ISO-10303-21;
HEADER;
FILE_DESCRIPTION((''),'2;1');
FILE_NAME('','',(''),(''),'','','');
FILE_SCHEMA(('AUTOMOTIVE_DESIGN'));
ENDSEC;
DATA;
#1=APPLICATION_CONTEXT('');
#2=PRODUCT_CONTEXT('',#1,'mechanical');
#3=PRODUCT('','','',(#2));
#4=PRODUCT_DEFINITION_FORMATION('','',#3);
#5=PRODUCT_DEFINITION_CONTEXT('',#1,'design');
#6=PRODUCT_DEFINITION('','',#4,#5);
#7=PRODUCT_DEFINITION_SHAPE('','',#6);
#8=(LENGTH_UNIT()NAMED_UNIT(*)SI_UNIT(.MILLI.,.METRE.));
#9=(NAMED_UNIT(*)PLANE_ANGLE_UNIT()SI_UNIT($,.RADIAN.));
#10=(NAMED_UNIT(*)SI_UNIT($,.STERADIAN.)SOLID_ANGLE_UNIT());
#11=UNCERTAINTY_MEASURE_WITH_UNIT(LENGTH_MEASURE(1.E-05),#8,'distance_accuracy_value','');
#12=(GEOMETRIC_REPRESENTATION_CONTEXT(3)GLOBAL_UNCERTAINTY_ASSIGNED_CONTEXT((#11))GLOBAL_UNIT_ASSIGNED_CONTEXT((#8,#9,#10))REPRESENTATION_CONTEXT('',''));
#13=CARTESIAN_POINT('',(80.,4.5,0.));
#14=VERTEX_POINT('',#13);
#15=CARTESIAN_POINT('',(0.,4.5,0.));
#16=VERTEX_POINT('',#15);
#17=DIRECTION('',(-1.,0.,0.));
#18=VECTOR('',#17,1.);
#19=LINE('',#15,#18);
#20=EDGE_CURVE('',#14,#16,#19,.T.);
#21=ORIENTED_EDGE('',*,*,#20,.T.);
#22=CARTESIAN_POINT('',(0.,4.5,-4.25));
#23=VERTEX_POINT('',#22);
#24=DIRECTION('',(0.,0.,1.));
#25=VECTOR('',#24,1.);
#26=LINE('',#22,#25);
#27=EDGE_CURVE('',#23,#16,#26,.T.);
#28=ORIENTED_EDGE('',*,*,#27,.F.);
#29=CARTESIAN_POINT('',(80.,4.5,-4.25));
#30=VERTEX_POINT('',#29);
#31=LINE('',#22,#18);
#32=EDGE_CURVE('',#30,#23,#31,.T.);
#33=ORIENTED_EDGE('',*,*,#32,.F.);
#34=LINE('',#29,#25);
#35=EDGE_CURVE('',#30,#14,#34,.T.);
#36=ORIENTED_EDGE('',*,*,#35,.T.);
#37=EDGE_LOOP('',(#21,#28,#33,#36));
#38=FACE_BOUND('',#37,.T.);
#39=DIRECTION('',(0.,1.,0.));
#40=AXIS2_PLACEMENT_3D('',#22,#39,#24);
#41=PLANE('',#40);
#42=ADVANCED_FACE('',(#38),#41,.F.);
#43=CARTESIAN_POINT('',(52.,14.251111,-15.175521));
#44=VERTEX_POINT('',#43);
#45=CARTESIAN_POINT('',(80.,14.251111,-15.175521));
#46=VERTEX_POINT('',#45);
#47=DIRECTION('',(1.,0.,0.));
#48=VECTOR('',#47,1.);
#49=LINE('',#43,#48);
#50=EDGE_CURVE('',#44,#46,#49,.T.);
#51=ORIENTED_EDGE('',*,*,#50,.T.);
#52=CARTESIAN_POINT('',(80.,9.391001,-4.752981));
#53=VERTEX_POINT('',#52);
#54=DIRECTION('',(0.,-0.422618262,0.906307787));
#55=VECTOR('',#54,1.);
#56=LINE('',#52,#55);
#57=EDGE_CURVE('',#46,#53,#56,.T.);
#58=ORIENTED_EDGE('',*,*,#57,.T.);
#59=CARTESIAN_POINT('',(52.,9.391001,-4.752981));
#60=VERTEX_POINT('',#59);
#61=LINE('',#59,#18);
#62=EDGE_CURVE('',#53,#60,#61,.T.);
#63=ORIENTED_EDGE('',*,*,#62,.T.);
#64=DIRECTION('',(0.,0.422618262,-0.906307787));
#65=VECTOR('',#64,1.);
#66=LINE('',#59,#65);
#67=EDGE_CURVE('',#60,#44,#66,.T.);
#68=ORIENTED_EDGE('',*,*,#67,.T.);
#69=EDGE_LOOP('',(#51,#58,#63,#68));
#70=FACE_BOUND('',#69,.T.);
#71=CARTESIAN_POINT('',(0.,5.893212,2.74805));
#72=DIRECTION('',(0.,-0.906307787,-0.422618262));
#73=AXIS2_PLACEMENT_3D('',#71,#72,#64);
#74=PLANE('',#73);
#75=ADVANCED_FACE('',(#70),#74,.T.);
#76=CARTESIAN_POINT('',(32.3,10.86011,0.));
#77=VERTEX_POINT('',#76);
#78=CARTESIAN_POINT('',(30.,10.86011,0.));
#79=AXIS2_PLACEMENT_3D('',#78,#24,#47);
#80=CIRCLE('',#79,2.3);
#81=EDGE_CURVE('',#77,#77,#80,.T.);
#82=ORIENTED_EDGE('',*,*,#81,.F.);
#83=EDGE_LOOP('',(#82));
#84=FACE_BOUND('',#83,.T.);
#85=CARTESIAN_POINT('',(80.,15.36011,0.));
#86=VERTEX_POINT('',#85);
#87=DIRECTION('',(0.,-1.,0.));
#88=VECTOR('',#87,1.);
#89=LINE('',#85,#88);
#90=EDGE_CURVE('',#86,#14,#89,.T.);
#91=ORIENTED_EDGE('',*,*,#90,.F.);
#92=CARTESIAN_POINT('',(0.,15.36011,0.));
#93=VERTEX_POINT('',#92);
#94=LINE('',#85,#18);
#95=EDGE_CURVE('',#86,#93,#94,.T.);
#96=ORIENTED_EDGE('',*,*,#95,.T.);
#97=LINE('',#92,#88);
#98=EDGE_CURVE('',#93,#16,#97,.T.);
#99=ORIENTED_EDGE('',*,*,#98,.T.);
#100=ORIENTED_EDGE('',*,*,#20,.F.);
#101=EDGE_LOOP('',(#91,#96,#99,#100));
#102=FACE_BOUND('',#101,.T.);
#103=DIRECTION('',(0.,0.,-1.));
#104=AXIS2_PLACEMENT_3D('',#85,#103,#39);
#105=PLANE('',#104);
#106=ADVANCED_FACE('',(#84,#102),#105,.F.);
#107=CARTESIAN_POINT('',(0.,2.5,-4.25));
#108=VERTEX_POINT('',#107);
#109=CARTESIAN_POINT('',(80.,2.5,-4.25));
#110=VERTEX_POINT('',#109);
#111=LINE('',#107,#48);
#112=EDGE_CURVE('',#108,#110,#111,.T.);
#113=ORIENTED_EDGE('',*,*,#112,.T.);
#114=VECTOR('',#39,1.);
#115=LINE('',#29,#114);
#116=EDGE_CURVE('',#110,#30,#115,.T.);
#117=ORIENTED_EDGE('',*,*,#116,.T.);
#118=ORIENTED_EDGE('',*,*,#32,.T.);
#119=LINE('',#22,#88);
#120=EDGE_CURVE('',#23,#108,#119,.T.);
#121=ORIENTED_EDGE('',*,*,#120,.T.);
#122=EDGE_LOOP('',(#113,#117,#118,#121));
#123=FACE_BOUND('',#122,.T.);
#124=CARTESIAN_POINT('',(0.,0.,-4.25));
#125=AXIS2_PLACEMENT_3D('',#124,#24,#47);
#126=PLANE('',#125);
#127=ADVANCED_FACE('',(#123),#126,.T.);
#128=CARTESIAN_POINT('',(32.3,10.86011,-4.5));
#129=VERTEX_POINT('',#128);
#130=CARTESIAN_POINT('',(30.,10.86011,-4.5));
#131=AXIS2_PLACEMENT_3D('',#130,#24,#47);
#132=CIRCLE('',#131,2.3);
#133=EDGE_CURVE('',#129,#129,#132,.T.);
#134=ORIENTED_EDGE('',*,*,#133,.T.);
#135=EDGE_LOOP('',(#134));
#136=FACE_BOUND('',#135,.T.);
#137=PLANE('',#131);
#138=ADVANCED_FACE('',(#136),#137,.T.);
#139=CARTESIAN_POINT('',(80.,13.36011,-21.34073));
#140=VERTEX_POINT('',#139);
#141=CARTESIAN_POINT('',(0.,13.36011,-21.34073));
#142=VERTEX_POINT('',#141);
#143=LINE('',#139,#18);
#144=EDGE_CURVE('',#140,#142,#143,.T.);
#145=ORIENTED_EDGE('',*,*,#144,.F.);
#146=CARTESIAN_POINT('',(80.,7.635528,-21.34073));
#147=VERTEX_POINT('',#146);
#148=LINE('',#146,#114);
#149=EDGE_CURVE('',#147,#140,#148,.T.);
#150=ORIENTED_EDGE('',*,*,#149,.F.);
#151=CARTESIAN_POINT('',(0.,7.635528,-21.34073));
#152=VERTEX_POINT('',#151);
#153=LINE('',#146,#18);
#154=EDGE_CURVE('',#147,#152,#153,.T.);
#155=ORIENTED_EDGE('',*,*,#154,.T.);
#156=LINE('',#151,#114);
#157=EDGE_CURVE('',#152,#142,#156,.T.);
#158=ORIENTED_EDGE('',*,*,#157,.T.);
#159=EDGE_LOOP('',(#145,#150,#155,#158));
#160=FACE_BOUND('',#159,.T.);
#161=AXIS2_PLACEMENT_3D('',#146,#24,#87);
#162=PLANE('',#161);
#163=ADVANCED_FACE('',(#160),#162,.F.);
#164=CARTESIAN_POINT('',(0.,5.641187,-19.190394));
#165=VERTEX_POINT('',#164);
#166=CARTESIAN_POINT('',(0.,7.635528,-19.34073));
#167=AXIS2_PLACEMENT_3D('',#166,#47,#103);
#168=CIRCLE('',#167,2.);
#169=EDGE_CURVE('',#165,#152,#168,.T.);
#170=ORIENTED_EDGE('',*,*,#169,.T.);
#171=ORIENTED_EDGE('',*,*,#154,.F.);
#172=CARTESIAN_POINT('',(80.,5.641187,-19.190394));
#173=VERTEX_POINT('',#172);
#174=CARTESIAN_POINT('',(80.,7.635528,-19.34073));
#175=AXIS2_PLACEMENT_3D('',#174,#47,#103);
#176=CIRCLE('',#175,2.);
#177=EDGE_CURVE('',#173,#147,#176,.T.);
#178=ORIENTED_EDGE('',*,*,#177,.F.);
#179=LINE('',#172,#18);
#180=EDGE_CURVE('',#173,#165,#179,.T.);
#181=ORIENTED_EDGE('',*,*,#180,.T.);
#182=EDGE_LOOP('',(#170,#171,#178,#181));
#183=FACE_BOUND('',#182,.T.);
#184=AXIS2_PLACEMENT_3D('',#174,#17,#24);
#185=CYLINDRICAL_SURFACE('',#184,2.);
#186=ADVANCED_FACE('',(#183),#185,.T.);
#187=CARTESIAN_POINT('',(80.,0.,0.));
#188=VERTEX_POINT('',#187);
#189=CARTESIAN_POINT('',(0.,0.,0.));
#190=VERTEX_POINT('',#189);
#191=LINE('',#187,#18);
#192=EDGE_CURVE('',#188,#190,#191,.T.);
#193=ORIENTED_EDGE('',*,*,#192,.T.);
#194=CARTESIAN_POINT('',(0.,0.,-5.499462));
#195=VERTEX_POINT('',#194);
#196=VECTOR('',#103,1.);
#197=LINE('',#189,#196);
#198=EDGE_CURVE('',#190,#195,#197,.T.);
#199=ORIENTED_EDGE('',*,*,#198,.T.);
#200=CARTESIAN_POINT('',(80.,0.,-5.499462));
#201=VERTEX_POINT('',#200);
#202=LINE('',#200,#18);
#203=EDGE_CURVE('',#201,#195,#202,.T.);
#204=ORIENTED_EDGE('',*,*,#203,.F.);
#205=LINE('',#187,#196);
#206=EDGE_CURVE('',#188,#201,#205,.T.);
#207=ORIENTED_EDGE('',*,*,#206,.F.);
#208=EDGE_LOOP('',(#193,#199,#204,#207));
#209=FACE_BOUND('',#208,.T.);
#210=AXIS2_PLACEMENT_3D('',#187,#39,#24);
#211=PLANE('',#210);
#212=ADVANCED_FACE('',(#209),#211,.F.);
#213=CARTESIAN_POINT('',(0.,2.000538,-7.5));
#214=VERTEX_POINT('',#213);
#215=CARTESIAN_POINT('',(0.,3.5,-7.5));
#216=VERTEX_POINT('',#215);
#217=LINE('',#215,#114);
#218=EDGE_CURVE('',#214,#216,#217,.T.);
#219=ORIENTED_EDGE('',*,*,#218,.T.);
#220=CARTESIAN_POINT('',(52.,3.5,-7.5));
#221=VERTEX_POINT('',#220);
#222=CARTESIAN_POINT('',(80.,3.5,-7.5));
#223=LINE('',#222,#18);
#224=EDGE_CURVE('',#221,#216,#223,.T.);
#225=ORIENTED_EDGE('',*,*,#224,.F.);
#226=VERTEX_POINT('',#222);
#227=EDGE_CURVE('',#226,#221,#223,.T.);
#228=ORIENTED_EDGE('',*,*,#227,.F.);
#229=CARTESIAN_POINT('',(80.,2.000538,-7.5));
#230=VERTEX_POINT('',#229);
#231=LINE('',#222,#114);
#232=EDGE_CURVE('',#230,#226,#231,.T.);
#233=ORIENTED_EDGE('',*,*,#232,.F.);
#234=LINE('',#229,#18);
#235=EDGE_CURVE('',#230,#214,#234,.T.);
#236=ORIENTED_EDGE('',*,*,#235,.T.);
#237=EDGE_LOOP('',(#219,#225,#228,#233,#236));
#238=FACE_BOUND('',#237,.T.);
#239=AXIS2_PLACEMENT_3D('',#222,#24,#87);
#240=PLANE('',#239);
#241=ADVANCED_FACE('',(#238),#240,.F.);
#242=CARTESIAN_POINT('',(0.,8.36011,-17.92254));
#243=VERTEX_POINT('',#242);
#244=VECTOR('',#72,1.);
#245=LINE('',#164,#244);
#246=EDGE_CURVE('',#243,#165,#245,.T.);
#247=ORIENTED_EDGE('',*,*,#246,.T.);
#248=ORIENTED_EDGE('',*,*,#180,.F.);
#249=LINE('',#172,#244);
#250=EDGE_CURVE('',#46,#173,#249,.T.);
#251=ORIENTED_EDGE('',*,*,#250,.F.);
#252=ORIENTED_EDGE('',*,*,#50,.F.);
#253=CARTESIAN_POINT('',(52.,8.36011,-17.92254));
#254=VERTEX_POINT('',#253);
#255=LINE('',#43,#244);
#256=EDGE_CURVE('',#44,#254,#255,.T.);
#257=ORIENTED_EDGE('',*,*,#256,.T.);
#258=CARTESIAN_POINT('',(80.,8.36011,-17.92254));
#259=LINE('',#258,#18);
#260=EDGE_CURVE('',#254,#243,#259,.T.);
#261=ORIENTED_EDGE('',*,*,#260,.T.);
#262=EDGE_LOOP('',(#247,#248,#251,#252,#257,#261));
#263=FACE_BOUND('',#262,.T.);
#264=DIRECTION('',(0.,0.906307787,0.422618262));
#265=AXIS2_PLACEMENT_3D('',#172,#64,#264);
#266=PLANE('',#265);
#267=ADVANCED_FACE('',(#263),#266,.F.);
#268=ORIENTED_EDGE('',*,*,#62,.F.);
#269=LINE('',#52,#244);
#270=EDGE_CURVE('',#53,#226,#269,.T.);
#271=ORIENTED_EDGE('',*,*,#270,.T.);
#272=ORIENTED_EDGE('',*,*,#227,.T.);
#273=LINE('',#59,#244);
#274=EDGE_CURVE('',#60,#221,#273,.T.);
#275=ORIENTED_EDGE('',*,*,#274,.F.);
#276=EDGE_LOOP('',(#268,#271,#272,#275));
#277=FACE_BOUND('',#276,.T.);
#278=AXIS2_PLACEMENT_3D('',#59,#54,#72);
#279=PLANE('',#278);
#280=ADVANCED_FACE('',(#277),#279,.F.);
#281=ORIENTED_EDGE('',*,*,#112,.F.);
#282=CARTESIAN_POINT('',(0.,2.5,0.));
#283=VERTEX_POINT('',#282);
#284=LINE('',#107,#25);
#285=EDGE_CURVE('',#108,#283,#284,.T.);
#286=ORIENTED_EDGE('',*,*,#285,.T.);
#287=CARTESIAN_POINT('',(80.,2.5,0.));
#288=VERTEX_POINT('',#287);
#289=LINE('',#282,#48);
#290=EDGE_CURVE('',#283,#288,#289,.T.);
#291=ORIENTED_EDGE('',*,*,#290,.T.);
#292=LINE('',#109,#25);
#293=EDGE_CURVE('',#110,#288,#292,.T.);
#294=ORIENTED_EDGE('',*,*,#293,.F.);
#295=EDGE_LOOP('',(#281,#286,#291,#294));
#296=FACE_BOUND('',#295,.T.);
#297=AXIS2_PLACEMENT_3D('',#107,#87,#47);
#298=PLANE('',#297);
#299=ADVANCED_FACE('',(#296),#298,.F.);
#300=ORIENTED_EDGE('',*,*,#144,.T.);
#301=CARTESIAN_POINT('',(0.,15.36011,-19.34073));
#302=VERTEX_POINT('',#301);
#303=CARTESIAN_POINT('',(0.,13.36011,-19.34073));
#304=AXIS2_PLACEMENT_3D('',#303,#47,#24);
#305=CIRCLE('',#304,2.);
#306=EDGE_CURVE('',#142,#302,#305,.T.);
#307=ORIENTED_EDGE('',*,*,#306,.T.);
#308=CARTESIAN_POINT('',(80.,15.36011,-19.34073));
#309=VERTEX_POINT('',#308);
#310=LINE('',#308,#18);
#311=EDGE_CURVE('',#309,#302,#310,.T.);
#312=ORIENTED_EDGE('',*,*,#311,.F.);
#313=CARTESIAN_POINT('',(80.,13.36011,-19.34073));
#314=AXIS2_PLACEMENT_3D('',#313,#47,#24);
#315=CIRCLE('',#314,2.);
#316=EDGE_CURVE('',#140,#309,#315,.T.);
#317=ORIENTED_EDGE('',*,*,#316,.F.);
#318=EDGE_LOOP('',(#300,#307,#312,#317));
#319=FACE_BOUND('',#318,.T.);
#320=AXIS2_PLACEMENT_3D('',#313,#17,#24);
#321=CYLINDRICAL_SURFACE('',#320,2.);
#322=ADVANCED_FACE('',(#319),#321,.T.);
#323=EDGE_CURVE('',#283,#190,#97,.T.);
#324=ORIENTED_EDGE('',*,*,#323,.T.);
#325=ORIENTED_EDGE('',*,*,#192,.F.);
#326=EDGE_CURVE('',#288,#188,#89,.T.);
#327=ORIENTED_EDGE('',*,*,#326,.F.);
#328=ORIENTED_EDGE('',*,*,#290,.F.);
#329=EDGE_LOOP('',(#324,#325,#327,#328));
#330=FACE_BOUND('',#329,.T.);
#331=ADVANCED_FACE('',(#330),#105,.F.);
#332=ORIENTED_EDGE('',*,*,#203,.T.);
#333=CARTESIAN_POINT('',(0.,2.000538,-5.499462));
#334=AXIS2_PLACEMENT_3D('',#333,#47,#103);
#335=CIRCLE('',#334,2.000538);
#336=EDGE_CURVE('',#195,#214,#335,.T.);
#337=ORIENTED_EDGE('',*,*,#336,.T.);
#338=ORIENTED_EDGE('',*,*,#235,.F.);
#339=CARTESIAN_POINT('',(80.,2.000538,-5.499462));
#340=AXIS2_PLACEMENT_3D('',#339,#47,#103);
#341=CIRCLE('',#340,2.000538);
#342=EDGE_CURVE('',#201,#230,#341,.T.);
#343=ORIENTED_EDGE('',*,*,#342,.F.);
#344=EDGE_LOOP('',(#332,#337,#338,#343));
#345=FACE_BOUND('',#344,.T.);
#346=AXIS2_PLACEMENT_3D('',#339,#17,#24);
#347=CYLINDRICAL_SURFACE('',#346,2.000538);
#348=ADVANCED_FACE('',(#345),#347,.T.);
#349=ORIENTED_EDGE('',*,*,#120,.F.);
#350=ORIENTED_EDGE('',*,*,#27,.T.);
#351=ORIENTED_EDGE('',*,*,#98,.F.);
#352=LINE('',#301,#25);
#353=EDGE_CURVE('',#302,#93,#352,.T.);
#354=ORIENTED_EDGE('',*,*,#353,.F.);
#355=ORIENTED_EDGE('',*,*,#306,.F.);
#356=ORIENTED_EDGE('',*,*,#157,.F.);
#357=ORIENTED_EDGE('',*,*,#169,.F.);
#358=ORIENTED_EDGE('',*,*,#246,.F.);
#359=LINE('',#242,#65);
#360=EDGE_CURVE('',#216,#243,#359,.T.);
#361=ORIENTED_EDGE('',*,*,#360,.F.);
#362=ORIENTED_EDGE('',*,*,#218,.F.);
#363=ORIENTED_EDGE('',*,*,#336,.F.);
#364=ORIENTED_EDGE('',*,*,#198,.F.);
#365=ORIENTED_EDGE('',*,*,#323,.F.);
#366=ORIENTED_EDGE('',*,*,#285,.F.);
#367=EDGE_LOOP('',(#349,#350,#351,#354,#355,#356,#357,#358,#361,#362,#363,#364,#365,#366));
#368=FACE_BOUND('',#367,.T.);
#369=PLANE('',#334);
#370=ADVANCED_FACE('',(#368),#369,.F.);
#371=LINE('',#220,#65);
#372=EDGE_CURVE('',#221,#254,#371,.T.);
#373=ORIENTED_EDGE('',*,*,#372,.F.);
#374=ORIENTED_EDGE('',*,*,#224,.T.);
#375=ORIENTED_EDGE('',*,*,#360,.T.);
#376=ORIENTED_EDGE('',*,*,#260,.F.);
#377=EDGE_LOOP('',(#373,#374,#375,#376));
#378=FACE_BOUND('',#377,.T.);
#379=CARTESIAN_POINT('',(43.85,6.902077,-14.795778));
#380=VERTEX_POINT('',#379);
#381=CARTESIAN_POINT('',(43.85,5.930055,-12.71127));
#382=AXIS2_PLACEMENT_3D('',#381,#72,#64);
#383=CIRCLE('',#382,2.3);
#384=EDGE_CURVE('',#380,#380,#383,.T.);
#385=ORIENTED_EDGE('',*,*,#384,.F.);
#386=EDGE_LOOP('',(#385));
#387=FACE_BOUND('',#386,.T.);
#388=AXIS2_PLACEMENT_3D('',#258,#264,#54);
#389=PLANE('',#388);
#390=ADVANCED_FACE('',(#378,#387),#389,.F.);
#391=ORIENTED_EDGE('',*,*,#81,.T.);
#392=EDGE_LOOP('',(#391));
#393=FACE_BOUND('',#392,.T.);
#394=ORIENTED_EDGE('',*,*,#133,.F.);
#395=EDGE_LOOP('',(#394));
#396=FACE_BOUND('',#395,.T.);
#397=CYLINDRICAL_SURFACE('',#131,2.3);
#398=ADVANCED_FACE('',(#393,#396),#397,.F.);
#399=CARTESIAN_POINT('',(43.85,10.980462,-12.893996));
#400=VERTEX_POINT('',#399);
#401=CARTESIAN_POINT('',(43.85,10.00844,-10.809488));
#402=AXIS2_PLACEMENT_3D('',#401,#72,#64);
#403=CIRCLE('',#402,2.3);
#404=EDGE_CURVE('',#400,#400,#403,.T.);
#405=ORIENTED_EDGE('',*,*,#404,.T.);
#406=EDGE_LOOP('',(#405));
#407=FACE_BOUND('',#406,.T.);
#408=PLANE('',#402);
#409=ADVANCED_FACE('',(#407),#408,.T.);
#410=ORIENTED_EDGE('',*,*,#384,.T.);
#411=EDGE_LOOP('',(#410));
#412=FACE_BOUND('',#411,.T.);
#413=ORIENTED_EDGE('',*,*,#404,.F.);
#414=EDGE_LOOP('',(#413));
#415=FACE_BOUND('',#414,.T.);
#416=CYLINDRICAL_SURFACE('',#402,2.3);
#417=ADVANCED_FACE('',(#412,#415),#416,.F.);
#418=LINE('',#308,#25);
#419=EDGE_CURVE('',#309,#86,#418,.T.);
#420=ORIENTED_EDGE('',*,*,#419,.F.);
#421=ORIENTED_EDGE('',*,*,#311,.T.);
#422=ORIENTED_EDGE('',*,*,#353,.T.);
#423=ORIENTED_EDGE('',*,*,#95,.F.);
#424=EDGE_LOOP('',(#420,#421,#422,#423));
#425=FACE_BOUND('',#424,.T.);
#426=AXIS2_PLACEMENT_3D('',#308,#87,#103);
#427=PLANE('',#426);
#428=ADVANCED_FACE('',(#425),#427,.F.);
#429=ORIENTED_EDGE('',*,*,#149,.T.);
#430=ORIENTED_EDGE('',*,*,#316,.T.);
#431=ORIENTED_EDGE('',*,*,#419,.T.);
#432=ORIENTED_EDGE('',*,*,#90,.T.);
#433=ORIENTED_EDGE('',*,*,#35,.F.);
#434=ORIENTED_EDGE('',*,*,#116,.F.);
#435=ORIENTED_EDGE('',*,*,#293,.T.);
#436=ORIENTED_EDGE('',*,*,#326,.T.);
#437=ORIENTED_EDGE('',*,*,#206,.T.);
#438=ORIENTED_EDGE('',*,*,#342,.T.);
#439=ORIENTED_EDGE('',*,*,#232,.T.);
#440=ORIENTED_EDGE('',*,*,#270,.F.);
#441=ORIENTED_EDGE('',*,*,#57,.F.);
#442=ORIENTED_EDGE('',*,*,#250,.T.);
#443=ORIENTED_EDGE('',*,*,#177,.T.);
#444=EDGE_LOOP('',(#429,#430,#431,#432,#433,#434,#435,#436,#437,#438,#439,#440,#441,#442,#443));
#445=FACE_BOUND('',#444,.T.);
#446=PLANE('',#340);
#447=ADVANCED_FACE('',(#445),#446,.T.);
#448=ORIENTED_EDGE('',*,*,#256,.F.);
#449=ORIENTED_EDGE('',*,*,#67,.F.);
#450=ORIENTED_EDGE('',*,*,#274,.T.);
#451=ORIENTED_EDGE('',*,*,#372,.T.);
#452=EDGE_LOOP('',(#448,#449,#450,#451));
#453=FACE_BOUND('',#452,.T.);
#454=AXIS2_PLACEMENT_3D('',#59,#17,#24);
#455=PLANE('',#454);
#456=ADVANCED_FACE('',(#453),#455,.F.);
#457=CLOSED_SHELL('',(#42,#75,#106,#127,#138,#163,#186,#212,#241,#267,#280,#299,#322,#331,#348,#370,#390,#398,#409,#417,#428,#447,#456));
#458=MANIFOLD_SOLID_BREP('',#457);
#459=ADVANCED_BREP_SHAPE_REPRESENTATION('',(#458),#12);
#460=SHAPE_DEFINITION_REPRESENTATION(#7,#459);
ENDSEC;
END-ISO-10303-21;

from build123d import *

# Parameters (mm, degrees)
PROFILEBOSS_EXTRUDE1_DEPTH           = 80
SKETCH2_R                            = 2.3
LEDSTRIPMOUNTHOLESCUT_EXTRUDE1_DEPTH = 4.5
SKETCH4_W                            = 28
SKETCH4_H                            = 11.5
POWERCONNECTORCUT_EXTRUDE4_DEPTH     = 6.5
SKETCH3_R                            = 2.3
MOUNTINGHOLESCUT_EXTRUDE3_DEPTH      = 4.5
SKETCH5_W                            = 80
SKETCH5_H                            = 2
XAXISCABLECUT_EXTRUDE1_DEPTH         = 4.25


with BuildPart() as part:
    # Sketch1 → ProfileBoss-Extrude1 (new body)
    with BuildSketch(Plane(origin=(0, 0, 0), x_dir=(0, 0, -1), z_dir=(1, 0, 0))):
        with BuildLine():
            Line((0, 0), (5.499461553, 0))
            ThreePointArc((5.499461553, 0), (6.914055855, 0.585944145), (7.5, 2.000538447))
            Line((7.5, 2.000538447), (7.5, 3.5))
            Line((7.5, 3.5), (17.922539551, 8.36011001))
            Line((17.922539551, 8.36011001), (19.190394336, 5.641186649))
            ThreePointArc((19.190394336, 5.641186649), (20.700753359, 6.16912635), (21.340729536, 7.635528477))
            Line((21.340729536, 7.635528477), (21.340729536, 13.36011001))
            ThreePointArc((21.340729536, 13.36011001), (20.754943098, 14.774323572), (19.340729536, 15.36011001))
            Line((19.340729536, 15.36011001), (0, 15.36011001))
            Line((0, 15.36011001), (0, 0))
        make_face()
    extrude(amount=PROFILEBOSS_EXTRUDE1_DEPTH)

    # Sketch2 → LedStripMountHolesCut-Extrude1 (cut)
    with BuildSketch(Plane(origin=(0, 0.002211655, 0.001031312), x_dir=(1, 0, 0), z_dir=(0, -0.906307787036651, -0.4226182617406973))):
        with Locations(Location((43.85, -14.026472319, 0), (0, 0, 270))):
            Circle(SKETCH2_R)
    extrude(amount=-LEDSTRIPMOUNTHOLESCUT_EXTRUDE1_DEPTH, mode=Mode.SUBTRACT)

    # Sketch4 → PowerConnectorCut-Extrude4 (cut)
    with BuildSketch(Plane(origin=(0, 0.002211655, 0.001031312), x_dir=(1, 0, 0), z_dir=(0, -0.906307787036651, -0.4226182617406973))):
        with Locations((66, -14.026472319)):
            Rectangle(SKETCH4_W, SKETCH4_H)
    extrude(amount=-POWERCONNECTORCUT_EXTRUDE4_DEPTH, mode=Mode.SUBTRACT)

    # Sketch3 → MountingHolesCut-Extrude3 (cut)
    with BuildSketch(Plane.XY):
        with Locations((30, 10.86011001)):
            Circle(SKETCH3_R)
    extrude(amount=-MOUNTINGHOLESCUT_EXTRUDE3_DEPTH, mode=Mode.SUBTRACT)

    # Sketch5 → XAxisCableCut-Extrude1 (cut)
    with BuildSketch(Plane.XY):
        with Locations((40, 3.5)):
            Rectangle(SKETCH5_W, SKETCH5_H)
    extrude(amount=-XAXISCABLECUT_EXTRUDE1_DEPTH, mode=Mode.SUBTRACT)


solid = part.part
